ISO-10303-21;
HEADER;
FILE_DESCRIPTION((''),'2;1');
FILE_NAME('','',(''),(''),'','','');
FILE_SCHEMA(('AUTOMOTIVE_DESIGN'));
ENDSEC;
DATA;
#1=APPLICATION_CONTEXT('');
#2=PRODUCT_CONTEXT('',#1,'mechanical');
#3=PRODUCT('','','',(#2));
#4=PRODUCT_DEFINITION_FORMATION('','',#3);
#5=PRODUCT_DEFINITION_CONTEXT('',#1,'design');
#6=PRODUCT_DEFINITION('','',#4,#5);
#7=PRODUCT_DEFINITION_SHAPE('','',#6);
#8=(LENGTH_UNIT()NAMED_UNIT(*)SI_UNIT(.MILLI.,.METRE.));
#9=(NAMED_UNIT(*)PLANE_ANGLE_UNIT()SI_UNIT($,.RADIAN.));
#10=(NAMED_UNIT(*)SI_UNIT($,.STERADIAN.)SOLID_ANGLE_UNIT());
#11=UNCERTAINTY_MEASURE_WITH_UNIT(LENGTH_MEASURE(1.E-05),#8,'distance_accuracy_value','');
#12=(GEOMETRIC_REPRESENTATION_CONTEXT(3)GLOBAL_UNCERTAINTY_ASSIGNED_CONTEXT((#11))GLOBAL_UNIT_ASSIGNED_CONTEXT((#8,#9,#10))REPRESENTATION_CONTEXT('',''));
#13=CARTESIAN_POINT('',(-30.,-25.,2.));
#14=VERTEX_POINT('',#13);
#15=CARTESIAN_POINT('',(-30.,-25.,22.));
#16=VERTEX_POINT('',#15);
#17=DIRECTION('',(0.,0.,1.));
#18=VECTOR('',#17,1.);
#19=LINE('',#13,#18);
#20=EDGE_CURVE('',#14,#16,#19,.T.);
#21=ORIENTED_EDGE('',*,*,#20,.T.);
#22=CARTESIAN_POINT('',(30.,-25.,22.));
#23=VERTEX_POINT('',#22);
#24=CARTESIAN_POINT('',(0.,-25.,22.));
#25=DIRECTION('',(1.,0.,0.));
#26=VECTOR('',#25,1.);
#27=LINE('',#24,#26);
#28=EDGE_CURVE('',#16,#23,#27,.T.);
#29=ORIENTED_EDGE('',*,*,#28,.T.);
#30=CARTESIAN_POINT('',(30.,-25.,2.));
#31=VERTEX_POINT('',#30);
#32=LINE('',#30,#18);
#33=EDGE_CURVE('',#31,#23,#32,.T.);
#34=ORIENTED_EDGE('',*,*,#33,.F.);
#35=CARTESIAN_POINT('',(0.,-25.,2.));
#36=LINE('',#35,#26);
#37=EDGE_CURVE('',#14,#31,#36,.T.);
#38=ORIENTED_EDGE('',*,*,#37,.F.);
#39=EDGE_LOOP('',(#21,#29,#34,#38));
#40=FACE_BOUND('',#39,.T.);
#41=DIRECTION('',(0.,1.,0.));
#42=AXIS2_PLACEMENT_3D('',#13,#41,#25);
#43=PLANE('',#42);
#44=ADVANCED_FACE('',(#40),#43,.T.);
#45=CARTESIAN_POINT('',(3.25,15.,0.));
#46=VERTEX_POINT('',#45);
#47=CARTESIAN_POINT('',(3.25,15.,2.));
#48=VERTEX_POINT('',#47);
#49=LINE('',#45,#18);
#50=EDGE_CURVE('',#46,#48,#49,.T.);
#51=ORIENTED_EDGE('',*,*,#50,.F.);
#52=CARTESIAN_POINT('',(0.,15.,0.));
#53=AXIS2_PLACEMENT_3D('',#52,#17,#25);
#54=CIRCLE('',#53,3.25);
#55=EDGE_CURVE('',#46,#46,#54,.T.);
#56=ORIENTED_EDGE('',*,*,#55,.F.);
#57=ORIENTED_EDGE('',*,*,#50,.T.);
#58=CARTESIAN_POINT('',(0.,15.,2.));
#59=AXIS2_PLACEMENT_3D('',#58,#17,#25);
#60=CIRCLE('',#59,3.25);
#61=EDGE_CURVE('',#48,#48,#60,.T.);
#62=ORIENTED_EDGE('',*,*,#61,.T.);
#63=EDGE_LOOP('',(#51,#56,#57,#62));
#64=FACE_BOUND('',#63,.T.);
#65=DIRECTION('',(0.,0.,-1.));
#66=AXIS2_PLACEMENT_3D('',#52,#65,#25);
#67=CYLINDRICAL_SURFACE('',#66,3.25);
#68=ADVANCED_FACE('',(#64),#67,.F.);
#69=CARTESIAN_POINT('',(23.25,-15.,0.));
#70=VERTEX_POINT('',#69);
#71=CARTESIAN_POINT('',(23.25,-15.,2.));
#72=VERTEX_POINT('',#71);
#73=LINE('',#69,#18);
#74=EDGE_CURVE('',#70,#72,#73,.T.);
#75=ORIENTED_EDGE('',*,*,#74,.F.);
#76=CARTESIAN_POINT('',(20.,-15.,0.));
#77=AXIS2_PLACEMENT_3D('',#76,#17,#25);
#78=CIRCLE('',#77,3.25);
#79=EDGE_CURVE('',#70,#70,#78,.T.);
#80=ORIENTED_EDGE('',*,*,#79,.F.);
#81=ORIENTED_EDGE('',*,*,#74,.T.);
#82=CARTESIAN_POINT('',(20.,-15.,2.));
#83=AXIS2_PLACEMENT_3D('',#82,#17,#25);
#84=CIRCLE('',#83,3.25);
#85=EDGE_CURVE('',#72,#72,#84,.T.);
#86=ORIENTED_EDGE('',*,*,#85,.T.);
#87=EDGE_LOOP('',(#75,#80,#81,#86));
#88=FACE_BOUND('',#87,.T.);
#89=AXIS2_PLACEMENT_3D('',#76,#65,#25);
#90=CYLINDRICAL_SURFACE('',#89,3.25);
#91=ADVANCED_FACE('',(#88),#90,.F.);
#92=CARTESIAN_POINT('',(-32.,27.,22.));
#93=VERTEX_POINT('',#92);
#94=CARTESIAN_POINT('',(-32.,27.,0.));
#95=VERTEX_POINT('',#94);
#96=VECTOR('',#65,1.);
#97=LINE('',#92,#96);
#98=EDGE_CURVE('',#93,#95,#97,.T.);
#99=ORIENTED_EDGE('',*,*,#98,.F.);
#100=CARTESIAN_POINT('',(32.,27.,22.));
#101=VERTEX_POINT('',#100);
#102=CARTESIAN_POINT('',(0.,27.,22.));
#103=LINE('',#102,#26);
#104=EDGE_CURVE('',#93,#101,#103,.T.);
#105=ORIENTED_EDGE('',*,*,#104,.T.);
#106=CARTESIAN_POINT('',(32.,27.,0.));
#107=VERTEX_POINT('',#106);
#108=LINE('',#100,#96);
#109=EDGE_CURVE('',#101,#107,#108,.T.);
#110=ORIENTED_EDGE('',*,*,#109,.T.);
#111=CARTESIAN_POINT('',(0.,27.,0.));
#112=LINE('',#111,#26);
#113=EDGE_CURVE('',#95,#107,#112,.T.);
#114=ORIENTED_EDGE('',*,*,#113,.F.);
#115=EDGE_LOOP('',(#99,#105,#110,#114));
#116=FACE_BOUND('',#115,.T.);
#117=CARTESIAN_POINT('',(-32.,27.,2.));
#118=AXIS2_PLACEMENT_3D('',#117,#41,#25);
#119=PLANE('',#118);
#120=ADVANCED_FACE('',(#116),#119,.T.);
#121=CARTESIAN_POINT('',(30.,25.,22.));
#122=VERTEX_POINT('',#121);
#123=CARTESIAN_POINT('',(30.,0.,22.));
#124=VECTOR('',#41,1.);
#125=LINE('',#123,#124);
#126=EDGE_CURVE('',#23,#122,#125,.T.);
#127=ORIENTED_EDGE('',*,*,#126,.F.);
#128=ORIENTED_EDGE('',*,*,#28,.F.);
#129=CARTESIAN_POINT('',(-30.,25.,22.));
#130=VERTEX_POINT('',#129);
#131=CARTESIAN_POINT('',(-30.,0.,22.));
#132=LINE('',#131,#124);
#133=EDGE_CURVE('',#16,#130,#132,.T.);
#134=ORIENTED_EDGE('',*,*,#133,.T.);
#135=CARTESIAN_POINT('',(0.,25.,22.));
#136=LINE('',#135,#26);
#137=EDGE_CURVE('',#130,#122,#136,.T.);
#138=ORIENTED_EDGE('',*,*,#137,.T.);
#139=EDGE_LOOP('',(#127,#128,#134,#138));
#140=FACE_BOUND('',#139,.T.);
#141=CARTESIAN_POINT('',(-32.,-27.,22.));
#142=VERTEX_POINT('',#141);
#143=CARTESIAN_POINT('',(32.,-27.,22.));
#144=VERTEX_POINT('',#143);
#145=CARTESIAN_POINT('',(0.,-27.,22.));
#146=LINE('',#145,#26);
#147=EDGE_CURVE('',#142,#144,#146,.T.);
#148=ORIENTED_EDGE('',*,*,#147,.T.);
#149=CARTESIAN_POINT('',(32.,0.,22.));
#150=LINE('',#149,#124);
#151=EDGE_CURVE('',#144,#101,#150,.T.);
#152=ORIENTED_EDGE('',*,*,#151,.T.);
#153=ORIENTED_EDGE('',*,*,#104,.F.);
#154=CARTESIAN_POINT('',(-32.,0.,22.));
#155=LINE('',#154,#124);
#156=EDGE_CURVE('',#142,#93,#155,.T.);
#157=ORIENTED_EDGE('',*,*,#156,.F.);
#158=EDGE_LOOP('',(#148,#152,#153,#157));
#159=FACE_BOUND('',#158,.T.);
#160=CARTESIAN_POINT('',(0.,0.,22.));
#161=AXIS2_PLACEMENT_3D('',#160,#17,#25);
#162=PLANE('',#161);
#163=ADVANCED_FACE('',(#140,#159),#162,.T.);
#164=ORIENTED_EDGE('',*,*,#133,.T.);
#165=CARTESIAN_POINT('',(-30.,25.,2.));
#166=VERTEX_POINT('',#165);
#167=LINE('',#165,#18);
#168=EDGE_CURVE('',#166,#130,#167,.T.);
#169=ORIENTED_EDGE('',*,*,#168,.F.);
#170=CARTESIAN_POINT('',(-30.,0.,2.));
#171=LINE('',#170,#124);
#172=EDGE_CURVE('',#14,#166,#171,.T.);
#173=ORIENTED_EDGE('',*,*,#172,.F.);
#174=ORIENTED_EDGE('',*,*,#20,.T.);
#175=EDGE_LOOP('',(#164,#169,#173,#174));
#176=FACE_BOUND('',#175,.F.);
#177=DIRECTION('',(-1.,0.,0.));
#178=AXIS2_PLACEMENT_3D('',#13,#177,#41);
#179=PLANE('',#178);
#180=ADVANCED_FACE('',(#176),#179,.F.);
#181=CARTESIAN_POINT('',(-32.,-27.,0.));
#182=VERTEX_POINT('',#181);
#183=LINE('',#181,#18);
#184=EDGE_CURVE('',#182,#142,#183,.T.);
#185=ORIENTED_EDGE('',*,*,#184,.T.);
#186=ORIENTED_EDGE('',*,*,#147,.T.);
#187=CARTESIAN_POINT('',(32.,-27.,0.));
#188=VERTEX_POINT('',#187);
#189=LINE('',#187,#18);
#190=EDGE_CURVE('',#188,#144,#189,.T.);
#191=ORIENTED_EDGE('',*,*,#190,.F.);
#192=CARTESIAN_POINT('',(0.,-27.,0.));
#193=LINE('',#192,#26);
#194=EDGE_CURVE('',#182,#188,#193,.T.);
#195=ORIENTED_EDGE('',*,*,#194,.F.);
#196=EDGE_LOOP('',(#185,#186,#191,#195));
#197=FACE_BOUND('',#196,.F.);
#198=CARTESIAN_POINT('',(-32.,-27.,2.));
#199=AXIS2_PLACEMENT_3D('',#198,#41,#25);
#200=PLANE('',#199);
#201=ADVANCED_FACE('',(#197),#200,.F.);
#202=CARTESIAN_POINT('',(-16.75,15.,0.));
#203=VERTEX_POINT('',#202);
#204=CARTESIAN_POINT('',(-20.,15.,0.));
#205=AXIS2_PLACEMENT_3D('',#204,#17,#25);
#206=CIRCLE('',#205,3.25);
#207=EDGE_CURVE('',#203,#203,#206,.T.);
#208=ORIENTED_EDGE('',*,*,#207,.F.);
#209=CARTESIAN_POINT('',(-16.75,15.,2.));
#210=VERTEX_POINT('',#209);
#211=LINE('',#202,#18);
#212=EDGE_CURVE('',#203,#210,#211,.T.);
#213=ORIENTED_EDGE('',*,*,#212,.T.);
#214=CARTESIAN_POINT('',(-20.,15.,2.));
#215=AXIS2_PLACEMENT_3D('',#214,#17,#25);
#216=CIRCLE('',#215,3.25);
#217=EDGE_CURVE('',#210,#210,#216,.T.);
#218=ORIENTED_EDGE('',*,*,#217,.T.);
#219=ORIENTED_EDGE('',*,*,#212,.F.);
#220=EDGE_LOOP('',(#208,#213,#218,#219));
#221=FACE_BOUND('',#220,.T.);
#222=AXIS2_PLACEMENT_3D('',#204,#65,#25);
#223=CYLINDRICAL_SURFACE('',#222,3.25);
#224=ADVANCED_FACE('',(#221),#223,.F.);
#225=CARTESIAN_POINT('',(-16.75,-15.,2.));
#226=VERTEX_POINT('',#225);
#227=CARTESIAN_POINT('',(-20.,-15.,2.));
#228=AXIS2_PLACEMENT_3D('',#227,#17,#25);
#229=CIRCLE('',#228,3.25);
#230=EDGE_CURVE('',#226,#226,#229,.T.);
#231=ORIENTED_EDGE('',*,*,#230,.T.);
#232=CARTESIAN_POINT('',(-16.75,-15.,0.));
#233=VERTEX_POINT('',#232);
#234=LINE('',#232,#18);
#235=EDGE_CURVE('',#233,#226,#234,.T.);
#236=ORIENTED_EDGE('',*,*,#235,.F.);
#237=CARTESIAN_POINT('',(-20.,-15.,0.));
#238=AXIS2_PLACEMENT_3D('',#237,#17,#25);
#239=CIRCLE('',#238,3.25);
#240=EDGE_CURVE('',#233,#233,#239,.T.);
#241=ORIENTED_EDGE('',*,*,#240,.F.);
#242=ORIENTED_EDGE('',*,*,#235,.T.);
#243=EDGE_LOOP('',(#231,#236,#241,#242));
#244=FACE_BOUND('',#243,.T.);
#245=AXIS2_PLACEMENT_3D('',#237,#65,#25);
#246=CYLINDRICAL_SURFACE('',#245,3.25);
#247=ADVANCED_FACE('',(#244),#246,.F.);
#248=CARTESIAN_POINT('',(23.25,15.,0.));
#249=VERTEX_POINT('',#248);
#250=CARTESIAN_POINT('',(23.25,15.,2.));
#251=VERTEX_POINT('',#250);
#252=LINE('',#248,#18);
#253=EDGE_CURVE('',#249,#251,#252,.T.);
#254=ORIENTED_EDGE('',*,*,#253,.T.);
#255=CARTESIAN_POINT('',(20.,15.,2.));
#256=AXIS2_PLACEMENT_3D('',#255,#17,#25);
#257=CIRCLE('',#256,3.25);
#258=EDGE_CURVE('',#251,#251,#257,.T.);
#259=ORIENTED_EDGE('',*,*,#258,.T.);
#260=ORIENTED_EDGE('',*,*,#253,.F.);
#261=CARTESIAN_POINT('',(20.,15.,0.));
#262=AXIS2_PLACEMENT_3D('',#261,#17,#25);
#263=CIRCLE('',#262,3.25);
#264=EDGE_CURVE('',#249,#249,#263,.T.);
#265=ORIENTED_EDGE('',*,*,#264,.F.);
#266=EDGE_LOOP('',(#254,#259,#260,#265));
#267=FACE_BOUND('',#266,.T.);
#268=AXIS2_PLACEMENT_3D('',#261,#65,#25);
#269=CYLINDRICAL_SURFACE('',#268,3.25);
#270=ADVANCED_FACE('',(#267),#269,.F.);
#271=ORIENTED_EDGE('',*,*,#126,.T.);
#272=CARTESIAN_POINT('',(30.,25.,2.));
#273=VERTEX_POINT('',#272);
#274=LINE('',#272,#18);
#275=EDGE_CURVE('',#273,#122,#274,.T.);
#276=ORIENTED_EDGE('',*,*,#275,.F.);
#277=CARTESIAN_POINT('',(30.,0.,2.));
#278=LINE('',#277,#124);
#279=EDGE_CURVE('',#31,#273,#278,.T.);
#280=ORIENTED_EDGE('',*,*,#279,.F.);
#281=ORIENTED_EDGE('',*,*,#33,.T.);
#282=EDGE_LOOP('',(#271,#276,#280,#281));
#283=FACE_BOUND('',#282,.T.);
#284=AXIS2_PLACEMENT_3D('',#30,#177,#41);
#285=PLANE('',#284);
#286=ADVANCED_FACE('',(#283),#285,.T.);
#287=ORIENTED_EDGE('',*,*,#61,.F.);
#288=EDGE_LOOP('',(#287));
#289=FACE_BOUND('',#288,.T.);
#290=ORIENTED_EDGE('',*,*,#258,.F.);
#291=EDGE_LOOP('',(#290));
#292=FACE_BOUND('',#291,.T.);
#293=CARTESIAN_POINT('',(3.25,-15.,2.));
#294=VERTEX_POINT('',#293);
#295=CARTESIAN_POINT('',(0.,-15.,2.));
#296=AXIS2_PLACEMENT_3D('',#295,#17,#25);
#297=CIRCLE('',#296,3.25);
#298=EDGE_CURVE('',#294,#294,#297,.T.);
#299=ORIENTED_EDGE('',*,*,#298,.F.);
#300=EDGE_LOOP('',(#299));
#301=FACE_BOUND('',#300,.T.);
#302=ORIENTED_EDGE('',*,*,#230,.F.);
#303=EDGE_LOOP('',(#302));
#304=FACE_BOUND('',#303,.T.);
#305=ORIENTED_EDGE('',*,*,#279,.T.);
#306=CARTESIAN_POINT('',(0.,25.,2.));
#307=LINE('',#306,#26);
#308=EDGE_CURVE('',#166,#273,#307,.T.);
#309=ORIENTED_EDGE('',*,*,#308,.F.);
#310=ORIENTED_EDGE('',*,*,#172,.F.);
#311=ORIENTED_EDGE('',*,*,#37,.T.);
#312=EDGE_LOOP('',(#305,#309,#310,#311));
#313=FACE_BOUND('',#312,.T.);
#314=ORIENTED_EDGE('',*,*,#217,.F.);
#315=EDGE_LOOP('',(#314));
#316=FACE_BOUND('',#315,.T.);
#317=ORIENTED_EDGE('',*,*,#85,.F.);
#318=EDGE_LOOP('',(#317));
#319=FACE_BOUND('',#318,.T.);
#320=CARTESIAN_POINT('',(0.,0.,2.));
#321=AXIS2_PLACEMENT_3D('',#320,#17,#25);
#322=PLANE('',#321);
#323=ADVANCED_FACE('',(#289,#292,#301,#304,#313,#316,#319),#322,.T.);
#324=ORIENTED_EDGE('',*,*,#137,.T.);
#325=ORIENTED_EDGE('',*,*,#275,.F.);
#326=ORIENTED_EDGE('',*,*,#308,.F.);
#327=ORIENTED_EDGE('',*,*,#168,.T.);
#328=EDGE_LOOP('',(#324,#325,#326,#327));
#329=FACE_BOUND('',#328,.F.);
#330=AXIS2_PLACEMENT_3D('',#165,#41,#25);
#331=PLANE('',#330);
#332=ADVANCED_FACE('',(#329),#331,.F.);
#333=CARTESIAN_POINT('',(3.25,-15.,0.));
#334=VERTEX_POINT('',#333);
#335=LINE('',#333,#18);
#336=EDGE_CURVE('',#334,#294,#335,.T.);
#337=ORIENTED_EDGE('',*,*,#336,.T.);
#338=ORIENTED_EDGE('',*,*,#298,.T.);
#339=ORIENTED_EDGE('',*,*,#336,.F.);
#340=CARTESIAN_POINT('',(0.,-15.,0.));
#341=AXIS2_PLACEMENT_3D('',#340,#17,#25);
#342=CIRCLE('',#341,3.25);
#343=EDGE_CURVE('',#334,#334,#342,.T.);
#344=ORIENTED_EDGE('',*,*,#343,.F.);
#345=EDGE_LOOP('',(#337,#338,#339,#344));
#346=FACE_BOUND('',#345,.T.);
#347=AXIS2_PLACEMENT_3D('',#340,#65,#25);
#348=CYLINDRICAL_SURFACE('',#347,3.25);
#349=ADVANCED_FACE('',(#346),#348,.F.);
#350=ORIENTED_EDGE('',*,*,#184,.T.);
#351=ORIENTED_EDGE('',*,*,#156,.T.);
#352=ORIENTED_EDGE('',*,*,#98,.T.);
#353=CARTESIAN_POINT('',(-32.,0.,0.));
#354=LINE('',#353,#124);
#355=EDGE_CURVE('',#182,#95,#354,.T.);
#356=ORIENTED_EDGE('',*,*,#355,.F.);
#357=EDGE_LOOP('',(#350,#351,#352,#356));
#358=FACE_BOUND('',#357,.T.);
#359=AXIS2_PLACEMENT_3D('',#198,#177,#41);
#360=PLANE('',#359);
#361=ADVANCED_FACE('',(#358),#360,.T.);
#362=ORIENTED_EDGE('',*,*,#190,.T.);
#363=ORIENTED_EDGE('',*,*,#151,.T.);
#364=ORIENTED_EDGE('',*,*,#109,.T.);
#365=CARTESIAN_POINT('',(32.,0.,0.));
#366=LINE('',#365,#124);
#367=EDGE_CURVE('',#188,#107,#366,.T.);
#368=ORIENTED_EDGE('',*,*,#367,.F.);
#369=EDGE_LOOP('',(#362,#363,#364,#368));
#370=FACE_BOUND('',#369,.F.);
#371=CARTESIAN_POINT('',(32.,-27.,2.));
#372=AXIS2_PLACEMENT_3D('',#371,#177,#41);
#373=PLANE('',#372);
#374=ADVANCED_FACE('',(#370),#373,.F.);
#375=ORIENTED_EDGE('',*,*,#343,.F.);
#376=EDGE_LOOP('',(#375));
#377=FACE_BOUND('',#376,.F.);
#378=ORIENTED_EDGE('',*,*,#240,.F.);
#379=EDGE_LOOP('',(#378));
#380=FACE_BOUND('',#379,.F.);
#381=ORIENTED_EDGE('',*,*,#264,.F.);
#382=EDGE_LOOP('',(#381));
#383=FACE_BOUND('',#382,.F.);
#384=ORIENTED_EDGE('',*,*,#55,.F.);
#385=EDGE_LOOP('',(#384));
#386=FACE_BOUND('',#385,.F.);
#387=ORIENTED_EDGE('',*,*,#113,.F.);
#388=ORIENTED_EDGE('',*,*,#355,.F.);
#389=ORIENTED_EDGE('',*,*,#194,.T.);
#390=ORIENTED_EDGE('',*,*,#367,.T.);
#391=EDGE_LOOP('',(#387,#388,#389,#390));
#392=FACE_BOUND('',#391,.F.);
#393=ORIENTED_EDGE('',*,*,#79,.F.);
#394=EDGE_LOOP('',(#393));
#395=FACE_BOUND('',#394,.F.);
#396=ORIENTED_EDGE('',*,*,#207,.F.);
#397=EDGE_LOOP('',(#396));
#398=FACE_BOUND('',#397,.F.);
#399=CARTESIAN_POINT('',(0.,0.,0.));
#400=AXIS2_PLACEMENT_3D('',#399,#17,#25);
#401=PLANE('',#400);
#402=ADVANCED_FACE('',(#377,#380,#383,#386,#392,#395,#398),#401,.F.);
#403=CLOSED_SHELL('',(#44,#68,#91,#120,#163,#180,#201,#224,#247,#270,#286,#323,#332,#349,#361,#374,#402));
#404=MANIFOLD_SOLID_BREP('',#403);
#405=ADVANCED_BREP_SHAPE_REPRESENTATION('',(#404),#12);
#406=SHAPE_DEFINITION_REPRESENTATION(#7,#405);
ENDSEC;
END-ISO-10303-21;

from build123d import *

# Parameters (mm, degrees)
F0_W     = 64
F0_H     = 54
F0_W_2   = 60
F0_H_2   = 50
F0_R     = 3.25
F1_DEPTH = 2
F2_W     = 64
F2_H     = 54
F2_W_2   = 60
F2_H_2   = 50
F3_DEPTH = 20


with BuildPart() as f1:
    # F0 (on Top) → F1 (new body)
    with BuildSketch(Plane.XY):
        Rectangle(F0_W, F0_H)
        Rectangle(F0_W_2, F0_H_2, mode=Mode.SUBTRACT)
        Rectangle(F0_W_2, F0_H_2)
        with Locations((-20, -15)):
            Circle(F0_R, mode=Mode.SUBTRACT)
        with Locations((0, -15)):
            Circle(F0_R, mode=Mode.SUBTRACT)
        with Locations((20, -15)):
            Circle(F0_R, mode=Mode.SUBTRACT)
        with Locations((-20, 15)):
            Circle(F0_R, mode=Mode.SUBTRACT)
        with Locations((0, 15)):
            Circle(F0_R, mode=Mode.SUBTRACT)
        with Locations((20, 15)):
            Circle(F0_R, mode=Mode.SUBTRACT)
    extrude(amount=F1_DEPTH)

    # F2 (on face) → F3 (join)
    with BuildSketch(Plane.XY.offset(2)):
        Rectangle(F2_W, F2_H)
        Rectangle(F2_W_2, F2_H_2, mode=Mode.SUBTRACT)
    extrude(amount=F3_DEPTH)


solid = f1.part
